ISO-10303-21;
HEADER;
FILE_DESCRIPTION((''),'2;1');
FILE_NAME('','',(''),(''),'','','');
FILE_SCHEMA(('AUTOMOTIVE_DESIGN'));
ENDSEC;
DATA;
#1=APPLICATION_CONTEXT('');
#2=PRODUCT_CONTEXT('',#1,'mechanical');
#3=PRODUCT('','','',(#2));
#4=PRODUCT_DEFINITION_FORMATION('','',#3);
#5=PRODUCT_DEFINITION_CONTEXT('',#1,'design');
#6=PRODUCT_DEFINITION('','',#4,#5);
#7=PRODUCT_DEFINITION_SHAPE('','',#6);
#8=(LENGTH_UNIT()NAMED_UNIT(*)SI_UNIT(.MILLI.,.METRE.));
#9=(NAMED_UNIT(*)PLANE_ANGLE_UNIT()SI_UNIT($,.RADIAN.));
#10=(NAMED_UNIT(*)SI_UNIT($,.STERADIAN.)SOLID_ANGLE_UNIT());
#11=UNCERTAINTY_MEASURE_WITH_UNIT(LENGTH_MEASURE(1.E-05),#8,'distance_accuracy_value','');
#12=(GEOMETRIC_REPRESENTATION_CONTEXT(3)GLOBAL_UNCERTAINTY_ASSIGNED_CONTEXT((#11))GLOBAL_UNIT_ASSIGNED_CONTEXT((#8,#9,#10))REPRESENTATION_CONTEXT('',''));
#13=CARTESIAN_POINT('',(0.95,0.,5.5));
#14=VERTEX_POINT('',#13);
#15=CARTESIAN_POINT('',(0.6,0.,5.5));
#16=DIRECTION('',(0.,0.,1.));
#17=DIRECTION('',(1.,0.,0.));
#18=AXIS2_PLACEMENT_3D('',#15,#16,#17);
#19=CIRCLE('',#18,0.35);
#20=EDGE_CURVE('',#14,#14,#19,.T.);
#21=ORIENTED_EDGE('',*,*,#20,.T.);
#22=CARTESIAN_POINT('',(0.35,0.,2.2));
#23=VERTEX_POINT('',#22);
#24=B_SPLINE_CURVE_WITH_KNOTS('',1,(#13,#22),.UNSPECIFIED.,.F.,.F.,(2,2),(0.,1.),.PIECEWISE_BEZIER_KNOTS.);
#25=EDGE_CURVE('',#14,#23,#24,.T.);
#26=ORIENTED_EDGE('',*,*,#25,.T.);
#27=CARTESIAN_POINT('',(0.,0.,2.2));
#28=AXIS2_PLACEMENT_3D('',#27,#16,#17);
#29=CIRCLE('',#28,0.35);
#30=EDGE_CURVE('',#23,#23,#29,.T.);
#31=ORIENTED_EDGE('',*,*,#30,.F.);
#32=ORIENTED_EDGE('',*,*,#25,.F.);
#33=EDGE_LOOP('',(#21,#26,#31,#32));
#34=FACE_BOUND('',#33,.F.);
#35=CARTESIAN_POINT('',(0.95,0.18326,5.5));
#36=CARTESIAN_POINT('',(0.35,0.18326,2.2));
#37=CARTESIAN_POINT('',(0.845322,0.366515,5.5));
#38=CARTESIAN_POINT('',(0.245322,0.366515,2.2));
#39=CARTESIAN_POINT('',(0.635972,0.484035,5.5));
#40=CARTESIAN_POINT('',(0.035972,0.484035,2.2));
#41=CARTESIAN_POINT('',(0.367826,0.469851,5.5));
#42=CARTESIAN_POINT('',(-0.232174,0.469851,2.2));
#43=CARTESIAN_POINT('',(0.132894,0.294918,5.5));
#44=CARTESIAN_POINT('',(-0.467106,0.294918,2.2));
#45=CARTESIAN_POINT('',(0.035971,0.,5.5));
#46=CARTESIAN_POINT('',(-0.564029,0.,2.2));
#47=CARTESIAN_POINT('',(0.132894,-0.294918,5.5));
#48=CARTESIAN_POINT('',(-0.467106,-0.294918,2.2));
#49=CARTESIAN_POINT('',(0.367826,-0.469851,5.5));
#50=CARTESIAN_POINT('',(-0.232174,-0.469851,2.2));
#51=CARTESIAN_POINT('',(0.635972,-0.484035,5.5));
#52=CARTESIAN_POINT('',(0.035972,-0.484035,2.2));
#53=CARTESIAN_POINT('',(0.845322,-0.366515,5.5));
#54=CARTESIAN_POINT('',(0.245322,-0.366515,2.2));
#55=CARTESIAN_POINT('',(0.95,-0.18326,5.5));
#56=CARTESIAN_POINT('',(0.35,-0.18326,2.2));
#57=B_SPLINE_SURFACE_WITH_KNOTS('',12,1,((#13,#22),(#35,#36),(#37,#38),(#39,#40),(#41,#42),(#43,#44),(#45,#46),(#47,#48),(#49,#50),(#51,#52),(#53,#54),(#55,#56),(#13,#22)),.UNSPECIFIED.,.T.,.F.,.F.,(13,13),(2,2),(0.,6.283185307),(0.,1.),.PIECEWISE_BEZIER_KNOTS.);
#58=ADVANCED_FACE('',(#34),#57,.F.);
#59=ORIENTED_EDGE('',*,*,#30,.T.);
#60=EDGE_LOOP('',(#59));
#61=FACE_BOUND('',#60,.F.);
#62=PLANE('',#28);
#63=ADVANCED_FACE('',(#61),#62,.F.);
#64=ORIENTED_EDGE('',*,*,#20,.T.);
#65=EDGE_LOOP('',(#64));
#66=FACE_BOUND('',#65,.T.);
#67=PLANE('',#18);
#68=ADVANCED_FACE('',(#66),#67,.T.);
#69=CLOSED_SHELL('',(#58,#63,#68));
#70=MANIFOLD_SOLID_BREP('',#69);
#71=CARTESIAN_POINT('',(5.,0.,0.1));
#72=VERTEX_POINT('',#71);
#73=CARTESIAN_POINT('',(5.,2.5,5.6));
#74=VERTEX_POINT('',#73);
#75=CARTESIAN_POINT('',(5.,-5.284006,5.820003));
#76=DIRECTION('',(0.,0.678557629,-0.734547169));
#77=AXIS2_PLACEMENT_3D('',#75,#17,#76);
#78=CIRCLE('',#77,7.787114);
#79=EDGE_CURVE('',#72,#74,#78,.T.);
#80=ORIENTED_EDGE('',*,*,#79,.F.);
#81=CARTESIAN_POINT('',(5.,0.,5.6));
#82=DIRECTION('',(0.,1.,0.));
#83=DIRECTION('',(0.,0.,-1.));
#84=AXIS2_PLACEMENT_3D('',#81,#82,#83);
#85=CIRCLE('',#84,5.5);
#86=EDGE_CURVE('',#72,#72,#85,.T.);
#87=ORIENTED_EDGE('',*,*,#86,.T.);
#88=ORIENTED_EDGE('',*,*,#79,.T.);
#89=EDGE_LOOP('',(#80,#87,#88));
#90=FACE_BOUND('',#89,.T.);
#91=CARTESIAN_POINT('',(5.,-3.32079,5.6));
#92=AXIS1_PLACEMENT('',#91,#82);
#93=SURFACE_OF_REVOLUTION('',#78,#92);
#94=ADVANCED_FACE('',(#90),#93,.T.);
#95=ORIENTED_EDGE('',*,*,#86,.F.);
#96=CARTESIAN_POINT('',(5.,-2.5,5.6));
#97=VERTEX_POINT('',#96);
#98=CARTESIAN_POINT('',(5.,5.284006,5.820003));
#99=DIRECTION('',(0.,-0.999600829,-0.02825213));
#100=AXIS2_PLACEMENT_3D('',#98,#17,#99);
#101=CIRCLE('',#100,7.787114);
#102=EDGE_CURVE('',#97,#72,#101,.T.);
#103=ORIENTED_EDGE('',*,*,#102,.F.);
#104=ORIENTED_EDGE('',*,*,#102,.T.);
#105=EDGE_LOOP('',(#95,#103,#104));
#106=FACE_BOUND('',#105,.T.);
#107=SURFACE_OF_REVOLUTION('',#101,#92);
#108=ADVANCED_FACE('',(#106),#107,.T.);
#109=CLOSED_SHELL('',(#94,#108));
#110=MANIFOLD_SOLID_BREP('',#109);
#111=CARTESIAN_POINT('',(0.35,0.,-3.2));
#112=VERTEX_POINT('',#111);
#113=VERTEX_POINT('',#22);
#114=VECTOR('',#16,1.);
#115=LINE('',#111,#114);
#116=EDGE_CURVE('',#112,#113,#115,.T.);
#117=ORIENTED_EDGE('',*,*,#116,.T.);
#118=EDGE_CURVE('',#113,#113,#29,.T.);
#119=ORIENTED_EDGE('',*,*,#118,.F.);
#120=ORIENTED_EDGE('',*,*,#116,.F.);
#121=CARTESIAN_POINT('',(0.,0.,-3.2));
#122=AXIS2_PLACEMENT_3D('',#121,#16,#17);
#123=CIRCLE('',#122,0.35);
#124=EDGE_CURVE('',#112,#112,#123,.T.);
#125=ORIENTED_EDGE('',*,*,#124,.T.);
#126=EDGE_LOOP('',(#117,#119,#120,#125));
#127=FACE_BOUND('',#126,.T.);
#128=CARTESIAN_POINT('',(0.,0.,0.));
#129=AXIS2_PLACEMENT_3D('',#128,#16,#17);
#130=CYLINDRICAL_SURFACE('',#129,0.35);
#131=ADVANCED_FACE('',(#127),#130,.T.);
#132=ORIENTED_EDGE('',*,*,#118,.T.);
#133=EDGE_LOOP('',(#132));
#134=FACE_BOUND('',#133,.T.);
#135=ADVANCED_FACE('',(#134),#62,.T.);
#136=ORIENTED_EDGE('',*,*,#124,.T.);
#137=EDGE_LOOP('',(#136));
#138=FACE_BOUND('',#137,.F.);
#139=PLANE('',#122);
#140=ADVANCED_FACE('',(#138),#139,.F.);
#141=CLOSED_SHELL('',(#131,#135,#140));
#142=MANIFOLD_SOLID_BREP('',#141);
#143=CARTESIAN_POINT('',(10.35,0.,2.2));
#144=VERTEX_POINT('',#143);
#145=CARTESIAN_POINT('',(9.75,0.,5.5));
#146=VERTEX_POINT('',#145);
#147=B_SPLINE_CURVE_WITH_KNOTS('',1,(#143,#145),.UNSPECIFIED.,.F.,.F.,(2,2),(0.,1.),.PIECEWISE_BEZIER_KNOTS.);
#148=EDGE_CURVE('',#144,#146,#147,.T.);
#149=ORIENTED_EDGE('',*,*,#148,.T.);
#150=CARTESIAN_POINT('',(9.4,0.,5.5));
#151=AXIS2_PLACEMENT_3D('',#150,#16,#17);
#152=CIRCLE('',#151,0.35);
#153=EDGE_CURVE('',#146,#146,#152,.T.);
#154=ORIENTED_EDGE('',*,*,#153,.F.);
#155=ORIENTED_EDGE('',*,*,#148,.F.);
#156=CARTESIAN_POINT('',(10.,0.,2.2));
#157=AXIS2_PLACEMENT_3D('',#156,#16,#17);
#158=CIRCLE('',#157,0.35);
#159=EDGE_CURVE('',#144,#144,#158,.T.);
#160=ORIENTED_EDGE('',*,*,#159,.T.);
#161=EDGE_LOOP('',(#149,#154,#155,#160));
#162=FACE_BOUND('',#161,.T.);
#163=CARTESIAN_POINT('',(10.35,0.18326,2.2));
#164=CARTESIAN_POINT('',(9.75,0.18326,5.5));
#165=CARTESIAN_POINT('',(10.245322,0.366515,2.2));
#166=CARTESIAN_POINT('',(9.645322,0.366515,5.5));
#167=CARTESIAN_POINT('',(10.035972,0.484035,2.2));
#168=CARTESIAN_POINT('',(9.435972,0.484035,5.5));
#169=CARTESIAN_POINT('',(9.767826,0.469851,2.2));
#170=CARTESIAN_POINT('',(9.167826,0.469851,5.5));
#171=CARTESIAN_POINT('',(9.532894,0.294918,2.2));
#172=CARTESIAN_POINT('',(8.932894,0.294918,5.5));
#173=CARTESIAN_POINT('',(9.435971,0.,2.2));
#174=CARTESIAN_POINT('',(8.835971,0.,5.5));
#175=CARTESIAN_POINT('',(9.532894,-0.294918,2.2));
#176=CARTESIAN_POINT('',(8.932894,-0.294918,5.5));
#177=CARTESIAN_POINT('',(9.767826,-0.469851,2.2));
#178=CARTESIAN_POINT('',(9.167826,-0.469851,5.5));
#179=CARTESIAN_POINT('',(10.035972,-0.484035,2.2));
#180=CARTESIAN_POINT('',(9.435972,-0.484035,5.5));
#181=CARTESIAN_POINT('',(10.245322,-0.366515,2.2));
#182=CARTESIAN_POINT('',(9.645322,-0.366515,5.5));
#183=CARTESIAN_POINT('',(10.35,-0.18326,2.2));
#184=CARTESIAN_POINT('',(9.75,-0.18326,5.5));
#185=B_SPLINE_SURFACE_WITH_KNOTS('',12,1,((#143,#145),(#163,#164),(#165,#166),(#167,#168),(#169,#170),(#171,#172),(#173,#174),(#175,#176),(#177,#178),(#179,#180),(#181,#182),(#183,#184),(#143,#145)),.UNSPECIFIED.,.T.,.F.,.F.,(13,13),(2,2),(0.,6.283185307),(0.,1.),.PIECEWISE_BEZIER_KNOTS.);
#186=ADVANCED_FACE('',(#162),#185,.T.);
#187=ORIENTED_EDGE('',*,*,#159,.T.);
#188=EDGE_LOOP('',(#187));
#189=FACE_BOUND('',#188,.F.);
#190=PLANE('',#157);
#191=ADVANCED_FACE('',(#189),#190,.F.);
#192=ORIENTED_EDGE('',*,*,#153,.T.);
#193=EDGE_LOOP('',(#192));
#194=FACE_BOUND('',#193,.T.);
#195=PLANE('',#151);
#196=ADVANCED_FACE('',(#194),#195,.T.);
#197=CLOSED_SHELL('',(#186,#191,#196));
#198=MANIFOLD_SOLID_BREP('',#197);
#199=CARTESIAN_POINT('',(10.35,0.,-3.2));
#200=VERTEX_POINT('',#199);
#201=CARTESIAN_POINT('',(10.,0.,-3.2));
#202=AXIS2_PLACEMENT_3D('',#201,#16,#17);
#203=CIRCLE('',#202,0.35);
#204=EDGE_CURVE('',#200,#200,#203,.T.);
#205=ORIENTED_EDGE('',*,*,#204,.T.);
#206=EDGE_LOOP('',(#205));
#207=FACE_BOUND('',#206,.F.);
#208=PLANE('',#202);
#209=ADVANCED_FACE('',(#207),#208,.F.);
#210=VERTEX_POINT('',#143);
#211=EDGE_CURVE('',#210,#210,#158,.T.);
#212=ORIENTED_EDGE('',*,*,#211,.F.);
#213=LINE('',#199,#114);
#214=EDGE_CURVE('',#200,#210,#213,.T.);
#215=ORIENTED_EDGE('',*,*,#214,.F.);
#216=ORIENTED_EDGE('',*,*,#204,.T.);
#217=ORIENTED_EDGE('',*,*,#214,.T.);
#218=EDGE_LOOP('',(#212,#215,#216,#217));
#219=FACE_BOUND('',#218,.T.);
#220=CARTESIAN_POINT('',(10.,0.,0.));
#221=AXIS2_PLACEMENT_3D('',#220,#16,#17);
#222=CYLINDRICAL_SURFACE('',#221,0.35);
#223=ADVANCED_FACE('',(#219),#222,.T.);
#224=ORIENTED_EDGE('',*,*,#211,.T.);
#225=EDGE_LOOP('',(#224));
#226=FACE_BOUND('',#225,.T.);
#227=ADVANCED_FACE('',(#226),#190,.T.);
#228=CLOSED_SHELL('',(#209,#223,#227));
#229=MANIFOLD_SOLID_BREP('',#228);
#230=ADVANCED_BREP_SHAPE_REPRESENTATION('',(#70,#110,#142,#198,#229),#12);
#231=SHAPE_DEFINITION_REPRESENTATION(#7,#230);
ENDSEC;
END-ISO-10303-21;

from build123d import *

# Parameters (mm, degrees)
SKETCH001_R       = 0.35
PAD001_DEPTH      = 2.2
PAD001_DEPTH_BACK = 3.2
SKETCH002_R       = 0.35
SKETCH003_R       = 0.35
SKETCH004_R       = 0.35
SKETCH005_R       = 0.35


with BuildPart() as pad001:
    # Sketch001 → Pad001 (new body, two sides)
    with BuildSketch(Plane.XY) as pad001_sk:
        Circle(SKETCH001_R)
        with Locations((10, 0)):
            Circle(SKETCH001_R)
    extrude(amount=PAD001_DEPTH)
    extrude(pad001_sk.sketch, amount=-PAD001_DEPTH_BACK)


with BuildPart() as revolution:
    # Sketch → Revolution (revolve)
    with BuildSketch(Plane.YZ.offset(5)):
        with BuildLine():
            Line((-2.5, 5.6), (2.5, 5.6))
            ThreePointArc((0, 0.1), (1.805122, 2.597672), (2.5, 5.6))
            ThreePointArc((-2.5, 5.6), (-1.805122, 2.597672), (0, 0.1))
        make_face()
    revolve(axis=Axis((5, -3.32079, 5.6), (0, 1, 0)))


with BuildPart() as loft_body:
    # Sketch002 → Loft section 0
    with BuildSketch(Plane.XY.offset(5.5)):
        with Locations((0.6, 0)):
            Circle(SKETCH002_R)
    # Sketch003 → Loft section 1
    with BuildSketch(Plane.XY.offset(2.2)):
        Circle(SKETCH003_R)
    loft()


with BuildPart() as loft001:
    # Sketch004 → Loft001 section 0
    with BuildSketch(Plane.XY.offset(2.2)):
        with Locations((10, 0)):
            Circle(SKETCH004_R)
    # Sketch005 → Loft001 section 1
    with BuildSketch(Plane.XY.offset(5.5)):
        with Locations((9.4, 0)):
            Circle(SKETCH005_R)
    loft()


solid = Compound([pad001.part, revolution.part, loft_body.part, loft001.part])
